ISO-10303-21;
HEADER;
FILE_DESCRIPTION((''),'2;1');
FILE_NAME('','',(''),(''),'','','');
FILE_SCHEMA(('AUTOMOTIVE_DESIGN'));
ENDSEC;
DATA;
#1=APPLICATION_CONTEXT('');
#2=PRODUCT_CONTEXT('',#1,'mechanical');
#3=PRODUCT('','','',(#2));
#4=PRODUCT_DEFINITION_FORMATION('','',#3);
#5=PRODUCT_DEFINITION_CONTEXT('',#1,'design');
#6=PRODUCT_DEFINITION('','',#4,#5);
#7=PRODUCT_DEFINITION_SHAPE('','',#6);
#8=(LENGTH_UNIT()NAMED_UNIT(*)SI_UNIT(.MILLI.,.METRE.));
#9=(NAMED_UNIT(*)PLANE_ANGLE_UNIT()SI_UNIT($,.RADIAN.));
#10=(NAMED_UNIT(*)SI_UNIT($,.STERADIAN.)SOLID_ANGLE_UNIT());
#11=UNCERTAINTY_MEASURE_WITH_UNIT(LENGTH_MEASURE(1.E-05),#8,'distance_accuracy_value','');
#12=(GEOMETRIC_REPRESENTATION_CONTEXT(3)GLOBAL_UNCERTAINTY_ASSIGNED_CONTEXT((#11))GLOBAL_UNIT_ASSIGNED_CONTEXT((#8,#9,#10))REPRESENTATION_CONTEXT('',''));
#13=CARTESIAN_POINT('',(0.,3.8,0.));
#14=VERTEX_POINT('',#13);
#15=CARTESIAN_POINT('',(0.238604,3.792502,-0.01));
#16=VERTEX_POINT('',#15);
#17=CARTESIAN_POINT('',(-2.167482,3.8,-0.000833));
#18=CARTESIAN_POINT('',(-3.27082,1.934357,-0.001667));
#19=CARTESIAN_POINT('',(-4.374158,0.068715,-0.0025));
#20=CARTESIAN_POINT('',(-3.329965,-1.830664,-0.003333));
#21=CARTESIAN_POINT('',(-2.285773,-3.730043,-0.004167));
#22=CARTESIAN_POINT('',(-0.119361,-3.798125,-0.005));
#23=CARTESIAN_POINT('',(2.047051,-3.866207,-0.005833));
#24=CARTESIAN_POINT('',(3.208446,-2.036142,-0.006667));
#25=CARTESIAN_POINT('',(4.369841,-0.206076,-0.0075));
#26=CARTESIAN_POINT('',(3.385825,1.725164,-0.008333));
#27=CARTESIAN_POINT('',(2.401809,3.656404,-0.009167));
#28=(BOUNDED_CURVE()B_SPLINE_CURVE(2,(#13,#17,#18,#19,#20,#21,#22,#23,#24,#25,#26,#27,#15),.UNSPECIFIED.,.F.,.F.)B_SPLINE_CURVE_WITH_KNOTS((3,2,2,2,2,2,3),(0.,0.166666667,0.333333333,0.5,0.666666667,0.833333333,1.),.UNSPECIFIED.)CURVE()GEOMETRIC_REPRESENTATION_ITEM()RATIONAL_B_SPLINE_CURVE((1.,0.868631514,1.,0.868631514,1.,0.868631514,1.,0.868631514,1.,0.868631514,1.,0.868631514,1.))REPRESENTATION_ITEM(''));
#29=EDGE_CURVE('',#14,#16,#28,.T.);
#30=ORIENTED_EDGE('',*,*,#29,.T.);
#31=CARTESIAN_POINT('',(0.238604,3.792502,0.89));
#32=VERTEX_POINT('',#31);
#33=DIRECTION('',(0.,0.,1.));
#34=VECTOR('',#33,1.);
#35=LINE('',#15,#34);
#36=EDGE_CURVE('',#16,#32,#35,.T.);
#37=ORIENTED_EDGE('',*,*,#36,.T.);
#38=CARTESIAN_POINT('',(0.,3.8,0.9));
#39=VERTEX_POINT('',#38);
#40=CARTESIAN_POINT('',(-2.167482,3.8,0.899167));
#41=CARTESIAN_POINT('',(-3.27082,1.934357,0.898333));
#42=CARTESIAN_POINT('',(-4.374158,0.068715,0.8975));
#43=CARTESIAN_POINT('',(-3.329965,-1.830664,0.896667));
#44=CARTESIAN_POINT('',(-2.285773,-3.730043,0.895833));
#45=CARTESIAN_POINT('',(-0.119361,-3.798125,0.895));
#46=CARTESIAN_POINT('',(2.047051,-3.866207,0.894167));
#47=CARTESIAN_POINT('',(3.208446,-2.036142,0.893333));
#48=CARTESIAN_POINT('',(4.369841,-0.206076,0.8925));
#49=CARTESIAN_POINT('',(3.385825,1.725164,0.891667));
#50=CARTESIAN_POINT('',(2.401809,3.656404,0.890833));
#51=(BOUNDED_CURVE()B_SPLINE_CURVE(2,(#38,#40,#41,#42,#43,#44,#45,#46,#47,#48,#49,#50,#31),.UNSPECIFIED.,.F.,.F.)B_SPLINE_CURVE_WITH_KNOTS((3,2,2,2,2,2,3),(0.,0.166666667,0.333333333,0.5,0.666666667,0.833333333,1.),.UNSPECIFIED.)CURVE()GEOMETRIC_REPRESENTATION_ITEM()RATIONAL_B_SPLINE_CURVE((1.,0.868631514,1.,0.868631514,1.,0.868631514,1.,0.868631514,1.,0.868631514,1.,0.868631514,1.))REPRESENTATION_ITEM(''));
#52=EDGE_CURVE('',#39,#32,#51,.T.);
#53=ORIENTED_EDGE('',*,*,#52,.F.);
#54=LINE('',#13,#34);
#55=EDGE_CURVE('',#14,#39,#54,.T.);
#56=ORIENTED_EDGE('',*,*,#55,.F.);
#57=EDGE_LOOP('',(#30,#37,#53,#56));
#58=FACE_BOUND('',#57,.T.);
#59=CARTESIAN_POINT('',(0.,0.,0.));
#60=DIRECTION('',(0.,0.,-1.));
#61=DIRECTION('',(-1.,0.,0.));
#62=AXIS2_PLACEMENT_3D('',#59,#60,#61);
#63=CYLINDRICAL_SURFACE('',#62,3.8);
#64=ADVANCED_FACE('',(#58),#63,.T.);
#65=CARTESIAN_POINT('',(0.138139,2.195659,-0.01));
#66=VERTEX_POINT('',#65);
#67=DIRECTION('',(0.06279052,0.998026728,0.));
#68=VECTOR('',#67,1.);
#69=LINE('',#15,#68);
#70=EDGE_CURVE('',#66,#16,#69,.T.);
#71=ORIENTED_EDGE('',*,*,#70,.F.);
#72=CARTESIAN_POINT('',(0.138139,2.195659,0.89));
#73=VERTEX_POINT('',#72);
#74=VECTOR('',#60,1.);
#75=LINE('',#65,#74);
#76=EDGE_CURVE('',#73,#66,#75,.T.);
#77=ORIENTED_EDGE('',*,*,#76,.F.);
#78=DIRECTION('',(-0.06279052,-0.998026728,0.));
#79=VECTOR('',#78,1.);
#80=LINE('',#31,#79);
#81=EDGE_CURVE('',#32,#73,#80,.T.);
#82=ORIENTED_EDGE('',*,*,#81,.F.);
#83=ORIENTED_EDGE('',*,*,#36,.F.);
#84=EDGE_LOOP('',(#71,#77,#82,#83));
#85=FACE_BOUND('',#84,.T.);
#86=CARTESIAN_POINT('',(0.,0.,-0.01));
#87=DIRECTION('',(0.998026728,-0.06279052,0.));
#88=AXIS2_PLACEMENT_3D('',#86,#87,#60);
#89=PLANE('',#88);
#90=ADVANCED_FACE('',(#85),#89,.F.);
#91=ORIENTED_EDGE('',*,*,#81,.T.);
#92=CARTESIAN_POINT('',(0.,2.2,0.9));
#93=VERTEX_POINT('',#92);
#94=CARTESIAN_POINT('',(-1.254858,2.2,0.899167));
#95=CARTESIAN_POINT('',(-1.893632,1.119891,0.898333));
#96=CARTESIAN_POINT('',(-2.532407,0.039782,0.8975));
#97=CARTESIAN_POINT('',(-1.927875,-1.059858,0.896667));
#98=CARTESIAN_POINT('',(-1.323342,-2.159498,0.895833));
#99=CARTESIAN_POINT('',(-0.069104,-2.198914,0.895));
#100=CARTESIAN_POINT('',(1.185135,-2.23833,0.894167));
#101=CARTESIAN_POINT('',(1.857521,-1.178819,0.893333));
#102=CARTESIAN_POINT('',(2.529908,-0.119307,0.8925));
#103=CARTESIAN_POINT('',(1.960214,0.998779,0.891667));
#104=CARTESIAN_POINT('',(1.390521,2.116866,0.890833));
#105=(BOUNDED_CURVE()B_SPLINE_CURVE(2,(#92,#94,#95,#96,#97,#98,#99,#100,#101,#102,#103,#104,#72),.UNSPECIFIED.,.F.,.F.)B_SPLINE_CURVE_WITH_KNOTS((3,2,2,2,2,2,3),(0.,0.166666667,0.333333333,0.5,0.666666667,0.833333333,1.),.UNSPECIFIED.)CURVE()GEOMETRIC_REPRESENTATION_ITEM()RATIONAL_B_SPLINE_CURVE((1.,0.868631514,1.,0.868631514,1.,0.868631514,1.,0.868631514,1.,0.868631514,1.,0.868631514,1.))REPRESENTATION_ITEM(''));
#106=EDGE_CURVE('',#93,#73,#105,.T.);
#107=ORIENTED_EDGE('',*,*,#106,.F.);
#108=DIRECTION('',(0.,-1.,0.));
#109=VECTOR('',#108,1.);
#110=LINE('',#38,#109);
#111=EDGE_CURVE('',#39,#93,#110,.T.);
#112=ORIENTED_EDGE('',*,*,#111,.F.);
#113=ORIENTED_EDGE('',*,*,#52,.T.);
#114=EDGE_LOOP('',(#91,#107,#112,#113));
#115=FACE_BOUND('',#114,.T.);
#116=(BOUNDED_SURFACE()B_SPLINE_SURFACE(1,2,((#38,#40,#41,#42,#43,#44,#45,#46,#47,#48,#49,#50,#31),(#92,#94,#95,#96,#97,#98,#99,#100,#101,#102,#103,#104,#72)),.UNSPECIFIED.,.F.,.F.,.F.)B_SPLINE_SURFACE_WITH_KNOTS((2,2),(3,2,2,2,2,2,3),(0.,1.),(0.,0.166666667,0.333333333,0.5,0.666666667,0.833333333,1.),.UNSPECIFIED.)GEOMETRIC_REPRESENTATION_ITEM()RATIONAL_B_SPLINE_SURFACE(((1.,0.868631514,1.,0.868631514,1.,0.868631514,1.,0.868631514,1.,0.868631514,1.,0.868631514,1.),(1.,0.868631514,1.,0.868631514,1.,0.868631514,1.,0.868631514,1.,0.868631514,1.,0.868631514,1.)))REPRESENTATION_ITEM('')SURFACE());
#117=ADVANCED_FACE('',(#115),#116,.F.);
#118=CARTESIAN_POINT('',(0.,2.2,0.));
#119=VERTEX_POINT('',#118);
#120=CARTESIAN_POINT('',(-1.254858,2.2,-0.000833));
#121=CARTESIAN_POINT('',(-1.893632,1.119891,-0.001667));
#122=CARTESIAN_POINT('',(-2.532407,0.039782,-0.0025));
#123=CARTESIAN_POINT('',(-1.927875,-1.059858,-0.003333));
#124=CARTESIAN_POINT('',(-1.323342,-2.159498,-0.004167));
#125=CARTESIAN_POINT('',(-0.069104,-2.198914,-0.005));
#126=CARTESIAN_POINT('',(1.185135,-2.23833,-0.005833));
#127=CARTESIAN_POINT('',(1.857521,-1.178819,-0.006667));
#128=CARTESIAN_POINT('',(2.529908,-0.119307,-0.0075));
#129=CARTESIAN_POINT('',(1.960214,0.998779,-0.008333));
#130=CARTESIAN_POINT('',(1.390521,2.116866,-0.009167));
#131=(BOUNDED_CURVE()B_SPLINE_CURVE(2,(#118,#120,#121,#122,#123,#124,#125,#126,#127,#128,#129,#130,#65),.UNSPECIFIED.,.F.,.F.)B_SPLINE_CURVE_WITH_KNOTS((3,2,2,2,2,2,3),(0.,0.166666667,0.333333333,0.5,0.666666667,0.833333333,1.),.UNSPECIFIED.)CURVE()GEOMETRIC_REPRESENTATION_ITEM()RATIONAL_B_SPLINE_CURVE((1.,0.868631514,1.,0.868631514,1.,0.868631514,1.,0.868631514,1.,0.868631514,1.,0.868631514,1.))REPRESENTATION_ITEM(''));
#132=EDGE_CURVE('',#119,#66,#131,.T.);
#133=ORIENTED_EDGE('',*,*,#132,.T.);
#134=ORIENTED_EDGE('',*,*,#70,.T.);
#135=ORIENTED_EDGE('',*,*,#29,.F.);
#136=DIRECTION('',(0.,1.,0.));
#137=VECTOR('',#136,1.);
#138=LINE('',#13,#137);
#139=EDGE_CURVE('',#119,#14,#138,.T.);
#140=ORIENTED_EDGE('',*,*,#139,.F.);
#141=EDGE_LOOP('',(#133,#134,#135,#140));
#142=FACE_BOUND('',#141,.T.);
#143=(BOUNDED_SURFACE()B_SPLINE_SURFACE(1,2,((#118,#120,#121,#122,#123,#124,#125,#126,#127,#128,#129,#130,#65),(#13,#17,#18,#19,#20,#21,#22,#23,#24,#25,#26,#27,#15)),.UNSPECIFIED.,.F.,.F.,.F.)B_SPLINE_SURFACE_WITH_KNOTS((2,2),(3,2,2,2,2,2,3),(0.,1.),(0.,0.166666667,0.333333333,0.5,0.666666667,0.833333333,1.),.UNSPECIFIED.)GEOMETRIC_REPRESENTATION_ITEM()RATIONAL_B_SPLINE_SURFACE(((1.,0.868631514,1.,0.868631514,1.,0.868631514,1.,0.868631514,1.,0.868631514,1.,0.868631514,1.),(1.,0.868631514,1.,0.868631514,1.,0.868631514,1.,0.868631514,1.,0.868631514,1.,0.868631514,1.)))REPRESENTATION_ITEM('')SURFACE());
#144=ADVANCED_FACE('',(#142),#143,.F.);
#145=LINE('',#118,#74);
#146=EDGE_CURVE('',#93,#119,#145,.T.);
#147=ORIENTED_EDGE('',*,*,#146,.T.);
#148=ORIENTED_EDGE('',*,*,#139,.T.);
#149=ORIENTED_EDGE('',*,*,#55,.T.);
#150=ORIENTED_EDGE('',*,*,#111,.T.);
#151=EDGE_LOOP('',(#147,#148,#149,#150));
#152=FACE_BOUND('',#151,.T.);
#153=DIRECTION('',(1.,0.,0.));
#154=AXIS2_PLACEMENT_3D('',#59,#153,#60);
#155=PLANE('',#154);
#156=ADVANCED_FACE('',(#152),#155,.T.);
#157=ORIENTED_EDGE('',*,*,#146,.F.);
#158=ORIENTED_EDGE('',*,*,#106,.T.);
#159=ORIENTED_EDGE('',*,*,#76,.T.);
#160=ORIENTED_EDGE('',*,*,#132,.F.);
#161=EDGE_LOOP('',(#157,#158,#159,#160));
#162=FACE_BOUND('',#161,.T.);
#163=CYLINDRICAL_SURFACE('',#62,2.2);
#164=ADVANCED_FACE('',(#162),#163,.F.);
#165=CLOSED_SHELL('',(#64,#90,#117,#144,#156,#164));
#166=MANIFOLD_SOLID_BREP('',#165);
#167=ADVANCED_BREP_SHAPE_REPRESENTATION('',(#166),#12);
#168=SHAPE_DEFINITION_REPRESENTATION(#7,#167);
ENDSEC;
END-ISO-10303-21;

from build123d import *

# Parameters (mm, degrees)
SWEEP1_PITCH       = 0.01010101
SWEEP1_HEIGHT      = 0.01
SWEEP1_RADIUS      = 3.8
SWEEP1_START_ANGLE = 90
SKETCH4_W          = 0.9
SKETCH4_H          = 1.6


with BuildPart() as part:
    # Sweep1: sweep along a helix
    with BuildLine() as sweep1_path:
        add(Helix(SWEEP1_PITCH, SWEEP1_HEIGHT, SWEEP1_RADIUS, center=(0, 0, 0), direction=(0, 0, -1), lefthand=True, mode=Mode.PRIVATE).rotate(Axis((0, 0, 0), (0, 0, -1)), SWEEP1_START_ANGLE))
    # Sketch4 → Sweep1 (sweep)
    with BuildSketch(Plane(origin=(0, 0, 0), x_dir=(0, 0, -1), z_dir=(1, 0, 0))):
        with Locations((-0.45, 3)):
            Rectangle(SKETCH4_W, SKETCH4_H)
    sweep(path=sweep1_path.line, is_frenet=True)


solid = part.part
